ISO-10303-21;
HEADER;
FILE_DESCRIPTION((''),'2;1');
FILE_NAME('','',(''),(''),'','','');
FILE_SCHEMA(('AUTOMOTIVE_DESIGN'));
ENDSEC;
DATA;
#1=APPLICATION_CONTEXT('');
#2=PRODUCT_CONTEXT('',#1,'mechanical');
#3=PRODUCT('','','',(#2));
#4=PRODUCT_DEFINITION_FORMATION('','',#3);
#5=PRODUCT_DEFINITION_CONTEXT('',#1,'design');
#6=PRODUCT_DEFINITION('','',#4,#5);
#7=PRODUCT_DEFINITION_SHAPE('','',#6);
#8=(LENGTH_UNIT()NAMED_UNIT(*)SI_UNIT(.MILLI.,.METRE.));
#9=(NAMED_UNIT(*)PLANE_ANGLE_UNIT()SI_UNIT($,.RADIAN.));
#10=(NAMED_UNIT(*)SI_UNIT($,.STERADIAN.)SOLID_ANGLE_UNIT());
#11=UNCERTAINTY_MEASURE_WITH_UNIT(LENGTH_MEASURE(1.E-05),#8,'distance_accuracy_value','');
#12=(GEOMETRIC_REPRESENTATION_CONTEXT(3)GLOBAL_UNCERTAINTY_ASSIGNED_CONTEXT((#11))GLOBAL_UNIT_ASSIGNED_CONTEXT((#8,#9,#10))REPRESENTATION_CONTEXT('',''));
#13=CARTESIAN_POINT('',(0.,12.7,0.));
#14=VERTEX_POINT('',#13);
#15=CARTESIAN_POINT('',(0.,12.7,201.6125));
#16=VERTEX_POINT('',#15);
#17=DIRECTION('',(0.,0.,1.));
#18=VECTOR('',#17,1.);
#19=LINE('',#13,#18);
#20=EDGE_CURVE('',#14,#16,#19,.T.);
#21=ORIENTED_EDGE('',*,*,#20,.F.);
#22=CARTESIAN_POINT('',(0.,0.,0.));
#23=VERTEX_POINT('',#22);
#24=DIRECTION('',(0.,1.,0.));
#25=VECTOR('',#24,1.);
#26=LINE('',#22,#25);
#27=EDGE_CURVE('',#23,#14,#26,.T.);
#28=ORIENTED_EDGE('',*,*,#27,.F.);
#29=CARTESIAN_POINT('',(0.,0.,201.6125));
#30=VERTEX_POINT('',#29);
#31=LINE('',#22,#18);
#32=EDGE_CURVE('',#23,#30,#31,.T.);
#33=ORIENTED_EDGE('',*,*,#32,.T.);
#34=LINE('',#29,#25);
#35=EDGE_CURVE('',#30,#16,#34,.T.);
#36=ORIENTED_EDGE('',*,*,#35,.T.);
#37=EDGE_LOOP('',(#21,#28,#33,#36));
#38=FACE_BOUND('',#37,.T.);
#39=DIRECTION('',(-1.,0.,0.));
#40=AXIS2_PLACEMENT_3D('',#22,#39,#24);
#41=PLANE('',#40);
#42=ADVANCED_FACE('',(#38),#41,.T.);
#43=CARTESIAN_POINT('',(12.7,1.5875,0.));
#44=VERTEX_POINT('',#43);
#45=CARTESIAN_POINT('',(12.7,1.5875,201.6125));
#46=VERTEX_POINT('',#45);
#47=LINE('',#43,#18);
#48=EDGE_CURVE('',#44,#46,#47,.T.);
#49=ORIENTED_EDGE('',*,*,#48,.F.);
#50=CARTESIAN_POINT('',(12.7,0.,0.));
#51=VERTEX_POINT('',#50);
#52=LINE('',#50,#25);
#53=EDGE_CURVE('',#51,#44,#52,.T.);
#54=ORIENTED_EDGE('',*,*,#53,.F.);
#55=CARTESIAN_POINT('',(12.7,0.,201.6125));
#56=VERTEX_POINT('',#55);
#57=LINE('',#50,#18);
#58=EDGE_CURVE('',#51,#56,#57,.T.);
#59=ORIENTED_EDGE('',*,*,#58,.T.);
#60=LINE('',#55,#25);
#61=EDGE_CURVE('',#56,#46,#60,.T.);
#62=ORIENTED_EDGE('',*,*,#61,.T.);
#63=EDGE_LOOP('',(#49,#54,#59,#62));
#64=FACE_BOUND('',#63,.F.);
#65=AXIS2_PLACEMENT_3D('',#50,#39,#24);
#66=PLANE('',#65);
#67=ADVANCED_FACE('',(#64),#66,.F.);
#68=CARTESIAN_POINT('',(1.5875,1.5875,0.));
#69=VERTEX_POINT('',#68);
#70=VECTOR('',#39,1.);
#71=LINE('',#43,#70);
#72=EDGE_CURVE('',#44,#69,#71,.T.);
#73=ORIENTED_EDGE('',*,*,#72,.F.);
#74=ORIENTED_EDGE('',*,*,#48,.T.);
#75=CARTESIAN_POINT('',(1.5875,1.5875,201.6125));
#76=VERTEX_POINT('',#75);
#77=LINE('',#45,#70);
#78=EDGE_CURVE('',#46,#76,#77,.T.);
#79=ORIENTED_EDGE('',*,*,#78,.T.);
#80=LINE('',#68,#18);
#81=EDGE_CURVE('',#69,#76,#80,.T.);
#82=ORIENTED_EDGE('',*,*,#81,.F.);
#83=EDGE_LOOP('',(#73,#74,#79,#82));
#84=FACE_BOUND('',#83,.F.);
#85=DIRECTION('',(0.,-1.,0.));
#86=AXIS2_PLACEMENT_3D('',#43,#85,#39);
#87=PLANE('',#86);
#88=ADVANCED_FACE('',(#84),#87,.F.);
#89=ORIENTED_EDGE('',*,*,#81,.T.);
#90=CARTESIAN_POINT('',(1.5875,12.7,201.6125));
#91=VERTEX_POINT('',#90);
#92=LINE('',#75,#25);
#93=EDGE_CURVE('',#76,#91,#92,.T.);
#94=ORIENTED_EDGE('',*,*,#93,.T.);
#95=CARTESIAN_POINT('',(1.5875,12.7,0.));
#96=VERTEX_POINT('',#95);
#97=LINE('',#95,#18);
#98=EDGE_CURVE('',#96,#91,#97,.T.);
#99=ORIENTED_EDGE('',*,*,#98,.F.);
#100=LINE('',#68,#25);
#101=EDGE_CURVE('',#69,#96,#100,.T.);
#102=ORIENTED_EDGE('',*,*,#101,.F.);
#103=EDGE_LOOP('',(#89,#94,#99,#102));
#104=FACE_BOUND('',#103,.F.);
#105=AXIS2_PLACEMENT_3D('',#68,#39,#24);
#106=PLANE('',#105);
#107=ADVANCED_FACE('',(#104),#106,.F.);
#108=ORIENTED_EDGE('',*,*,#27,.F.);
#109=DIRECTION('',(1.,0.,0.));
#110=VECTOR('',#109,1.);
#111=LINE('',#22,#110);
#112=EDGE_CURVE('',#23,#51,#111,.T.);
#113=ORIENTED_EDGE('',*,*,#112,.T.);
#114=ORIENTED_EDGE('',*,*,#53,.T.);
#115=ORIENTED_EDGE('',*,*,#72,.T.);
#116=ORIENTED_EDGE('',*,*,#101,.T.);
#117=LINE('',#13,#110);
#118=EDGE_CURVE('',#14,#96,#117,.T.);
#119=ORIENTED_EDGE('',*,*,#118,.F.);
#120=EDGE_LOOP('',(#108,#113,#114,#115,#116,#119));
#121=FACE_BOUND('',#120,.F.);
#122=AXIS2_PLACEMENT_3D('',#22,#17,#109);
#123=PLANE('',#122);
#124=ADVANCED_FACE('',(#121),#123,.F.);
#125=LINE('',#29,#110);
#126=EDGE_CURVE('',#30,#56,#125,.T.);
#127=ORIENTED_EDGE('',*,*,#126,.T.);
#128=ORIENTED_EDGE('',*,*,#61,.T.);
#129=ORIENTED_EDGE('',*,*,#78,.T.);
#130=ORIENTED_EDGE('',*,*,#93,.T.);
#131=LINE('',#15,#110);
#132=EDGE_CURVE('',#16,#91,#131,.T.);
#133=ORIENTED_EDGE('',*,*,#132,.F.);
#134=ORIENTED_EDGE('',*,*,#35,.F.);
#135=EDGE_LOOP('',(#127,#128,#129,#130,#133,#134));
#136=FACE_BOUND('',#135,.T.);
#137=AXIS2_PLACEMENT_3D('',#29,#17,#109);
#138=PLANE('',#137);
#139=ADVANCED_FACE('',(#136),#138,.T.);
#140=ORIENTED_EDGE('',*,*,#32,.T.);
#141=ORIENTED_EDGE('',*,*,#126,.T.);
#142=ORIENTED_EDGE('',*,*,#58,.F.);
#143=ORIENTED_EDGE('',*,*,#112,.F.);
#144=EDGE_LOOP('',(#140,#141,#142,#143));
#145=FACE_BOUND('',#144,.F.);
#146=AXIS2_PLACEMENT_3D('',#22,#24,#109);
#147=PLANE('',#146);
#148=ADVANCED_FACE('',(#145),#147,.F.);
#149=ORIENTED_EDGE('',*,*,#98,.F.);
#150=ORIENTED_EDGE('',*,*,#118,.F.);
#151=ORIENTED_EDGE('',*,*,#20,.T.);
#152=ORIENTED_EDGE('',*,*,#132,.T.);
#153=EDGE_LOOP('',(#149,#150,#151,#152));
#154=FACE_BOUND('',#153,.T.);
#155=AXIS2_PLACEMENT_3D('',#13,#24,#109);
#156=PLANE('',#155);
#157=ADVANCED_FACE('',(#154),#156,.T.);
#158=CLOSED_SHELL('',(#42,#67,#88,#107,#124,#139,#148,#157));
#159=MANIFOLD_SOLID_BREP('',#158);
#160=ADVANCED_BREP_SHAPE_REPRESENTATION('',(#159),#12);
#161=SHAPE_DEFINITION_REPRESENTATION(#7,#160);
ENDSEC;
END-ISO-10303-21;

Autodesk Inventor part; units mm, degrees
ref_plane "YZ Plane" through (0, 0, 0) normal (1, 0, 0) x (0, 1, 0)
ref_plane "XZ Plane" through (0, 0, 0) normal (0, 1, 0) x (-1, 0, 0)
ref_plane "XY Plane" through (0, 0, 0) normal (0, 0, 1) x (1, 0, 0)
sketch "Sketch1" plane through (0, 0, 0) normal (0, 0, 1) x (1, 0, 0)
  line L0 (0, 0) -> (0, 12.7)
  line L1 (0, 12.7) -> (1.5875, 12.7)
  line L2 (0, 0) -> (12.7, 0)
  line L3 (12.7, 0) -> (12.7, 1.5875)
  line L4 (12.7, 1.5875) -> (1.5875, 1.5875)
  line L5 (1.5875, 1.5875) -> (1.5875, 12.7)
  dimension "d0" = 12.7
  dimension "d1" = 1.5875
  dimension "d2" = 12.7
  dimension "d3" = 1.5875
extrude "Extrusion1" add sketch "Sketch1" along normal blind 201.6125
properties part number "Bumper Metal Edge Part3 (24x28 robot)" material "Aluminum 6061"
